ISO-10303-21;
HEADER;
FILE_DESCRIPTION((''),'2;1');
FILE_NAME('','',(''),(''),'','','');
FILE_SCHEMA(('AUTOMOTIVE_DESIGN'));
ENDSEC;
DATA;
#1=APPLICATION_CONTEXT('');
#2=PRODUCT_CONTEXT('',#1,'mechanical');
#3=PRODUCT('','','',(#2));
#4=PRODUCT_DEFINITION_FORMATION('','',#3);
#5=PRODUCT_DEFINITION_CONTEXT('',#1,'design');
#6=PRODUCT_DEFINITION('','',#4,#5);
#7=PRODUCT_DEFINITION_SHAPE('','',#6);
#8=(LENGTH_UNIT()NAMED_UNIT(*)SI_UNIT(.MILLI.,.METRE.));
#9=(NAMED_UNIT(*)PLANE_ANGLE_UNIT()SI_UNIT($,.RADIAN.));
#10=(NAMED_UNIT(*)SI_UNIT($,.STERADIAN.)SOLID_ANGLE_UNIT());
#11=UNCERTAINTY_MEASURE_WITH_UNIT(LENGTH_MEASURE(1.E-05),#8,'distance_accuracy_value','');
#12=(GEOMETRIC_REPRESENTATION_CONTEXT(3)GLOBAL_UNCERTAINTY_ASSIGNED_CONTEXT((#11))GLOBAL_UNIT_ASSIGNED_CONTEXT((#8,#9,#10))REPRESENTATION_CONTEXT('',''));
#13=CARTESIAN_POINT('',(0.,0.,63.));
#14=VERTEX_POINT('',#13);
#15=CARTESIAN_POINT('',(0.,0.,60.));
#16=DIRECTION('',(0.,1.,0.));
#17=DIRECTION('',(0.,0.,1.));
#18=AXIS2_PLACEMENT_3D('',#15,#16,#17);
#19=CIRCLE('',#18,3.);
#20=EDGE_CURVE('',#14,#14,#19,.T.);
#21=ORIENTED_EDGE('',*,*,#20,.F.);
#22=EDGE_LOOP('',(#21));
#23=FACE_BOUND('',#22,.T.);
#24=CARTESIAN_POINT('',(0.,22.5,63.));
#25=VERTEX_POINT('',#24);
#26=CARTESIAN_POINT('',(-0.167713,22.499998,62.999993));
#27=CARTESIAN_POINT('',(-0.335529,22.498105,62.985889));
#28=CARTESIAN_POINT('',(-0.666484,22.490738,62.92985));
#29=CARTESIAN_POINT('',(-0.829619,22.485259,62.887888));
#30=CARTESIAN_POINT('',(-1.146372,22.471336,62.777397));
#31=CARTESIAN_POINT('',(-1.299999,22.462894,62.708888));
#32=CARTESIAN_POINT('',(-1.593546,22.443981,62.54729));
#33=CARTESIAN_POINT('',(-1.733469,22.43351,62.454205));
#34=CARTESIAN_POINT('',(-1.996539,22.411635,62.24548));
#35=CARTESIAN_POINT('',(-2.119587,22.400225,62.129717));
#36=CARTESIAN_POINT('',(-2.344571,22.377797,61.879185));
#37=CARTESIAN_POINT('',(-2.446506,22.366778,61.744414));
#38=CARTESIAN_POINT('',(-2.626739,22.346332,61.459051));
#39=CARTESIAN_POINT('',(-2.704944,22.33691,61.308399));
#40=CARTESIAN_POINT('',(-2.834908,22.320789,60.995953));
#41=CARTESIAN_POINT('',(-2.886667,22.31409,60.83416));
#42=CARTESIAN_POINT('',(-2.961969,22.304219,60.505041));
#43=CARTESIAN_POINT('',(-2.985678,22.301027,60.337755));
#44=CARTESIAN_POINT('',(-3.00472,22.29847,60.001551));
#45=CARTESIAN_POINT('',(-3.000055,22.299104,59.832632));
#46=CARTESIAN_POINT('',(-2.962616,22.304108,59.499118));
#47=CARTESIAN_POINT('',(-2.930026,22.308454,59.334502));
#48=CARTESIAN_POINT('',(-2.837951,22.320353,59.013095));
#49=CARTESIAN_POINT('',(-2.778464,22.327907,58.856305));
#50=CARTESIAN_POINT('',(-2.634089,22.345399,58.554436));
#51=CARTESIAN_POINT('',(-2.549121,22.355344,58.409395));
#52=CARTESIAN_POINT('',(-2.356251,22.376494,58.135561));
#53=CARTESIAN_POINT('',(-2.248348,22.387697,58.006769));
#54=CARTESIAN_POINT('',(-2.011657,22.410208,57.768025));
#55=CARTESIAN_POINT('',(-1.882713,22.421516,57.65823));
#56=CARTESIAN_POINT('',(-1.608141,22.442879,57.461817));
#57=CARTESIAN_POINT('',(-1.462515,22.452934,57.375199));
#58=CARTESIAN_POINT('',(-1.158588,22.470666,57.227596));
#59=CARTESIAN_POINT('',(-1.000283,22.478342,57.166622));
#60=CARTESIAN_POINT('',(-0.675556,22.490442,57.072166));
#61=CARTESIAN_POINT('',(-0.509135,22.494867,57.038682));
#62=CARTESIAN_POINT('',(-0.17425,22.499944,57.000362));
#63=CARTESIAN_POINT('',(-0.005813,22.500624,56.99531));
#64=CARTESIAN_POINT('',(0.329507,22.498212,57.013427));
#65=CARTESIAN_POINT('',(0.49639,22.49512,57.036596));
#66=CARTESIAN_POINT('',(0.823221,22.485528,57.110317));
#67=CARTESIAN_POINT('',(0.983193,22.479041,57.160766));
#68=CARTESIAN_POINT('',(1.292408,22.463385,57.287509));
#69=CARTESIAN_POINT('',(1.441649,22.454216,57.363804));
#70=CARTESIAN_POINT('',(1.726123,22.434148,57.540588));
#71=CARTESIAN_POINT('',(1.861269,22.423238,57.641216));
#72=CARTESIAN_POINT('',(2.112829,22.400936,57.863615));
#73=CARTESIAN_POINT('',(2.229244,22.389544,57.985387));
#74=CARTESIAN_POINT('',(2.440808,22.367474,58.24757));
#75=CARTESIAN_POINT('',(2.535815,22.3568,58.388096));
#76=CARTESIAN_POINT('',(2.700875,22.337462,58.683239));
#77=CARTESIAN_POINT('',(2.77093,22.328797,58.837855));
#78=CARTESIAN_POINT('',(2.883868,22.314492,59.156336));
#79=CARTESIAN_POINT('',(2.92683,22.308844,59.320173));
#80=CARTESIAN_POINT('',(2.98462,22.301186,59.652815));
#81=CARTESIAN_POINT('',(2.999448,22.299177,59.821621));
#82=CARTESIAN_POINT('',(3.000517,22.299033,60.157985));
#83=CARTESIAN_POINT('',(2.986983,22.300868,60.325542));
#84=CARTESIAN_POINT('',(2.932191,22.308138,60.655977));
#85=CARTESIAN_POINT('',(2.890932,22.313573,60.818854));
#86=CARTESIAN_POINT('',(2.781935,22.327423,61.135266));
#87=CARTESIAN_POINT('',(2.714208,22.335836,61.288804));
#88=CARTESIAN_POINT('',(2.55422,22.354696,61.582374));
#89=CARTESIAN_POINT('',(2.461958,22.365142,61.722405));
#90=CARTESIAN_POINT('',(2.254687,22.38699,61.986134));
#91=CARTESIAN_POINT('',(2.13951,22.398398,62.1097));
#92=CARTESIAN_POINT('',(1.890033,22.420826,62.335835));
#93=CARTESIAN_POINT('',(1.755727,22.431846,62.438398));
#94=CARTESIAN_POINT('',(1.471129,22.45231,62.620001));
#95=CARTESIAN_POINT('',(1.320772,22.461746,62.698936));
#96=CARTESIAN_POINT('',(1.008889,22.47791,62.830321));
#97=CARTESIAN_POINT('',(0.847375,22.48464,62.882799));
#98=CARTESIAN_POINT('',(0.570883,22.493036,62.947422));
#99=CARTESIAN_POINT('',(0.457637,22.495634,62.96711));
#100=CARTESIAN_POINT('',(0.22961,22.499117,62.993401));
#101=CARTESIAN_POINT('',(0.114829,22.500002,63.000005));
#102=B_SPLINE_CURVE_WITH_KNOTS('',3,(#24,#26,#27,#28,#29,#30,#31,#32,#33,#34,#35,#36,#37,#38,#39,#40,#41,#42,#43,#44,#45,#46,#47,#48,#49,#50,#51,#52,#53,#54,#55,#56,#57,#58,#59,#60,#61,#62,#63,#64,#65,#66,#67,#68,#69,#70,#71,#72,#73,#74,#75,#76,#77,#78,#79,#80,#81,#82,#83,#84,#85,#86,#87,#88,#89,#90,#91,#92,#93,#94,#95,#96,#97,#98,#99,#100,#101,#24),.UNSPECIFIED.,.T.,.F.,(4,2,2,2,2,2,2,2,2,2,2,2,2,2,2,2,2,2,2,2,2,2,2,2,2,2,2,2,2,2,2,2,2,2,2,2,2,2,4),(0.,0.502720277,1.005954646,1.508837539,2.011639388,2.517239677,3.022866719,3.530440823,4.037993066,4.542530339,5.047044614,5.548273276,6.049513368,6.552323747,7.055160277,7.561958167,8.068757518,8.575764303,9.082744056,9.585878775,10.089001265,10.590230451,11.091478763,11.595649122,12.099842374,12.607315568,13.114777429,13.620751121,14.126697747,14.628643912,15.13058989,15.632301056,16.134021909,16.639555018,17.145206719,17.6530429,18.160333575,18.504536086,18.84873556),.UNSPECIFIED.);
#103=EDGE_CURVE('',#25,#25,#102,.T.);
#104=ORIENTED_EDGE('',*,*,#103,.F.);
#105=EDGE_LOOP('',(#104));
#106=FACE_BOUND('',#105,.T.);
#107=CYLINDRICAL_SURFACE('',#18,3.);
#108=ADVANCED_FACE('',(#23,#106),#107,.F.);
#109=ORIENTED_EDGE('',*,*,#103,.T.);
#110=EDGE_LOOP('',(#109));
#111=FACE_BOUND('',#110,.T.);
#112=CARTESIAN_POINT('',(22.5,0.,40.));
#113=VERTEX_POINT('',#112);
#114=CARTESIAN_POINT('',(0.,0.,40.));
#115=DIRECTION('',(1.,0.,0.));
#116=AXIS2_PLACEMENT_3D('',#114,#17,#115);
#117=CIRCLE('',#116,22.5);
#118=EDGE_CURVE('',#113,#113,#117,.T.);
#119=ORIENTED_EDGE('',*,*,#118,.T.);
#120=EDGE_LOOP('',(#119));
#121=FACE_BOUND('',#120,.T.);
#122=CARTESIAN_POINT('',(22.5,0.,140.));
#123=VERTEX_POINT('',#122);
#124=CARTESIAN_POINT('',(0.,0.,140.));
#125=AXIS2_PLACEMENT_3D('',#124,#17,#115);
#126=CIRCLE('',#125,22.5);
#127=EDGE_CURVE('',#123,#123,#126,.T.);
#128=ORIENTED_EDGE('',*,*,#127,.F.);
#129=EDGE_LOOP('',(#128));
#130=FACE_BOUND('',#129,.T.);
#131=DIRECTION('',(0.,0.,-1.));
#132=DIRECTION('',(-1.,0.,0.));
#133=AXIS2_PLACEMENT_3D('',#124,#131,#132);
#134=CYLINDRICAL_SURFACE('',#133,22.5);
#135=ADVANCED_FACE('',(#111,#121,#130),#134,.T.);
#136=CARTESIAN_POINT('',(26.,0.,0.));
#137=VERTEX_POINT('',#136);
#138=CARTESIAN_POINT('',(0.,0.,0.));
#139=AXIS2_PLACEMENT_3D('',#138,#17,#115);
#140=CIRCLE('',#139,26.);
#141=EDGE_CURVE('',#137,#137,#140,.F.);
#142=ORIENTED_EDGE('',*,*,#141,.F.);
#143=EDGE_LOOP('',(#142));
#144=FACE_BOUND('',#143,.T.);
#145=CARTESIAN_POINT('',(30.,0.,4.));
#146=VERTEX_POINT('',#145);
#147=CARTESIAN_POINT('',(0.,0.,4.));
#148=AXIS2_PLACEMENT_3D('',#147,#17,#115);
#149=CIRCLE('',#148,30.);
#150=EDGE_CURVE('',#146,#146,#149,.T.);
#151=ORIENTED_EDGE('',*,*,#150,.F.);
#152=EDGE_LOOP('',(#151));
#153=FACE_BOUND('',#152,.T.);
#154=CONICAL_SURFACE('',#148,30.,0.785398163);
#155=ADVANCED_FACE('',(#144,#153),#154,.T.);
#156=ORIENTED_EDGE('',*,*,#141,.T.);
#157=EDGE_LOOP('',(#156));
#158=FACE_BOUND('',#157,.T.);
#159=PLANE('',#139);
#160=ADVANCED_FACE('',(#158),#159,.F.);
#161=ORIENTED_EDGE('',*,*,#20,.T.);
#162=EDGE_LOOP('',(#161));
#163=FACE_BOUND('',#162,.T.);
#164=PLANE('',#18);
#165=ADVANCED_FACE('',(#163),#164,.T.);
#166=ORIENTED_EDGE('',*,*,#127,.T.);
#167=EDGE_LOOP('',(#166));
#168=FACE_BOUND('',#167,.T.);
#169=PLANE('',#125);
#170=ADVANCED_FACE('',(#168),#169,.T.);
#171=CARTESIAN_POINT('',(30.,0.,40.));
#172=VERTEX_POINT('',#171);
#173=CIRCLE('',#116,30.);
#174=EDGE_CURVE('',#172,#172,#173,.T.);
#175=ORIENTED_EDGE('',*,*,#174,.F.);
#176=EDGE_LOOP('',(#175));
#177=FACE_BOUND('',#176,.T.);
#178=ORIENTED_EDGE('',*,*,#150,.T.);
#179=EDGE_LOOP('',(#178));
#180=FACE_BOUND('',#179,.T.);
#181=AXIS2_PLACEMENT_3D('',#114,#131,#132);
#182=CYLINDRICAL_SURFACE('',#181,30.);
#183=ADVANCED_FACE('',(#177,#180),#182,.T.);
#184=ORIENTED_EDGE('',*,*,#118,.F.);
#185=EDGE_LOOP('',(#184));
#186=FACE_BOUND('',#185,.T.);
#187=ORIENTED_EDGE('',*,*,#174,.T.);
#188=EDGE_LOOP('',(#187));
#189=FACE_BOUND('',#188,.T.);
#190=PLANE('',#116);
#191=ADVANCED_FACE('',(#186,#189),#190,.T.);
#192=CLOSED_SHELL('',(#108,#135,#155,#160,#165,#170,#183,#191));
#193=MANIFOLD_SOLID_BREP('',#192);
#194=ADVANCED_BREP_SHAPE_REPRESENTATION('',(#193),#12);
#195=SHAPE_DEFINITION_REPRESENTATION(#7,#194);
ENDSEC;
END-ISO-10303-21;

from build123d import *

# Parameters (mm, degrees)
ESQUISSE1_R             = 30
BASE_EXTRUSION_DEPTH    = 40
ESQUISSE2_R             = 22.5
BOSS_EXTRU_1_DEPTH      = 100
ESQUISSE3_R             = 3
ENL_V_MAT_EXTRU_1_DEPTH = 30
CHANFREIN1_SIZE         = 4


with BuildPart() as part:
    # Esquisse1 → Base-Extrusion (new body)
    with BuildSketch(Plane.XY):
        Circle(ESQUISSE1_R)
    extrude(amount=BASE_EXTRUSION_DEPTH)

    # Esquisse2 → Boss.-Extru.1 (add)
    with BuildSketch(Plane.XY.offset(40)):
        Circle(ESQUISSE2_R)
    extrude(amount=BOSS_EXTRU_1_DEPTH)

    # Esquisse3 → Enlèv. mat.-Extru.1 (cut)
    with BuildSketch(Plane(origin=(0, 30, 0), x_dir=(-1, 0, 0), z_dir=(0, 1, 0))):
        with Locations(Location((0, 60, 0), (0, 0, 90))):
            Circle(ESQUISSE3_R)
    extrude(amount=-ENL_V_MAT_EXTRU_1_DEPTH, mode=Mode.SUBTRACT)

    # Chanfrein1
    chanfrein1_edges = [part.edges().sort_by_distance(p)[0] for p in [
        (-30, 0, 0),
    ]]
    chamfer(chanfrein1_edges, length=CHANFREIN1_SIZE)


solid = part.part
